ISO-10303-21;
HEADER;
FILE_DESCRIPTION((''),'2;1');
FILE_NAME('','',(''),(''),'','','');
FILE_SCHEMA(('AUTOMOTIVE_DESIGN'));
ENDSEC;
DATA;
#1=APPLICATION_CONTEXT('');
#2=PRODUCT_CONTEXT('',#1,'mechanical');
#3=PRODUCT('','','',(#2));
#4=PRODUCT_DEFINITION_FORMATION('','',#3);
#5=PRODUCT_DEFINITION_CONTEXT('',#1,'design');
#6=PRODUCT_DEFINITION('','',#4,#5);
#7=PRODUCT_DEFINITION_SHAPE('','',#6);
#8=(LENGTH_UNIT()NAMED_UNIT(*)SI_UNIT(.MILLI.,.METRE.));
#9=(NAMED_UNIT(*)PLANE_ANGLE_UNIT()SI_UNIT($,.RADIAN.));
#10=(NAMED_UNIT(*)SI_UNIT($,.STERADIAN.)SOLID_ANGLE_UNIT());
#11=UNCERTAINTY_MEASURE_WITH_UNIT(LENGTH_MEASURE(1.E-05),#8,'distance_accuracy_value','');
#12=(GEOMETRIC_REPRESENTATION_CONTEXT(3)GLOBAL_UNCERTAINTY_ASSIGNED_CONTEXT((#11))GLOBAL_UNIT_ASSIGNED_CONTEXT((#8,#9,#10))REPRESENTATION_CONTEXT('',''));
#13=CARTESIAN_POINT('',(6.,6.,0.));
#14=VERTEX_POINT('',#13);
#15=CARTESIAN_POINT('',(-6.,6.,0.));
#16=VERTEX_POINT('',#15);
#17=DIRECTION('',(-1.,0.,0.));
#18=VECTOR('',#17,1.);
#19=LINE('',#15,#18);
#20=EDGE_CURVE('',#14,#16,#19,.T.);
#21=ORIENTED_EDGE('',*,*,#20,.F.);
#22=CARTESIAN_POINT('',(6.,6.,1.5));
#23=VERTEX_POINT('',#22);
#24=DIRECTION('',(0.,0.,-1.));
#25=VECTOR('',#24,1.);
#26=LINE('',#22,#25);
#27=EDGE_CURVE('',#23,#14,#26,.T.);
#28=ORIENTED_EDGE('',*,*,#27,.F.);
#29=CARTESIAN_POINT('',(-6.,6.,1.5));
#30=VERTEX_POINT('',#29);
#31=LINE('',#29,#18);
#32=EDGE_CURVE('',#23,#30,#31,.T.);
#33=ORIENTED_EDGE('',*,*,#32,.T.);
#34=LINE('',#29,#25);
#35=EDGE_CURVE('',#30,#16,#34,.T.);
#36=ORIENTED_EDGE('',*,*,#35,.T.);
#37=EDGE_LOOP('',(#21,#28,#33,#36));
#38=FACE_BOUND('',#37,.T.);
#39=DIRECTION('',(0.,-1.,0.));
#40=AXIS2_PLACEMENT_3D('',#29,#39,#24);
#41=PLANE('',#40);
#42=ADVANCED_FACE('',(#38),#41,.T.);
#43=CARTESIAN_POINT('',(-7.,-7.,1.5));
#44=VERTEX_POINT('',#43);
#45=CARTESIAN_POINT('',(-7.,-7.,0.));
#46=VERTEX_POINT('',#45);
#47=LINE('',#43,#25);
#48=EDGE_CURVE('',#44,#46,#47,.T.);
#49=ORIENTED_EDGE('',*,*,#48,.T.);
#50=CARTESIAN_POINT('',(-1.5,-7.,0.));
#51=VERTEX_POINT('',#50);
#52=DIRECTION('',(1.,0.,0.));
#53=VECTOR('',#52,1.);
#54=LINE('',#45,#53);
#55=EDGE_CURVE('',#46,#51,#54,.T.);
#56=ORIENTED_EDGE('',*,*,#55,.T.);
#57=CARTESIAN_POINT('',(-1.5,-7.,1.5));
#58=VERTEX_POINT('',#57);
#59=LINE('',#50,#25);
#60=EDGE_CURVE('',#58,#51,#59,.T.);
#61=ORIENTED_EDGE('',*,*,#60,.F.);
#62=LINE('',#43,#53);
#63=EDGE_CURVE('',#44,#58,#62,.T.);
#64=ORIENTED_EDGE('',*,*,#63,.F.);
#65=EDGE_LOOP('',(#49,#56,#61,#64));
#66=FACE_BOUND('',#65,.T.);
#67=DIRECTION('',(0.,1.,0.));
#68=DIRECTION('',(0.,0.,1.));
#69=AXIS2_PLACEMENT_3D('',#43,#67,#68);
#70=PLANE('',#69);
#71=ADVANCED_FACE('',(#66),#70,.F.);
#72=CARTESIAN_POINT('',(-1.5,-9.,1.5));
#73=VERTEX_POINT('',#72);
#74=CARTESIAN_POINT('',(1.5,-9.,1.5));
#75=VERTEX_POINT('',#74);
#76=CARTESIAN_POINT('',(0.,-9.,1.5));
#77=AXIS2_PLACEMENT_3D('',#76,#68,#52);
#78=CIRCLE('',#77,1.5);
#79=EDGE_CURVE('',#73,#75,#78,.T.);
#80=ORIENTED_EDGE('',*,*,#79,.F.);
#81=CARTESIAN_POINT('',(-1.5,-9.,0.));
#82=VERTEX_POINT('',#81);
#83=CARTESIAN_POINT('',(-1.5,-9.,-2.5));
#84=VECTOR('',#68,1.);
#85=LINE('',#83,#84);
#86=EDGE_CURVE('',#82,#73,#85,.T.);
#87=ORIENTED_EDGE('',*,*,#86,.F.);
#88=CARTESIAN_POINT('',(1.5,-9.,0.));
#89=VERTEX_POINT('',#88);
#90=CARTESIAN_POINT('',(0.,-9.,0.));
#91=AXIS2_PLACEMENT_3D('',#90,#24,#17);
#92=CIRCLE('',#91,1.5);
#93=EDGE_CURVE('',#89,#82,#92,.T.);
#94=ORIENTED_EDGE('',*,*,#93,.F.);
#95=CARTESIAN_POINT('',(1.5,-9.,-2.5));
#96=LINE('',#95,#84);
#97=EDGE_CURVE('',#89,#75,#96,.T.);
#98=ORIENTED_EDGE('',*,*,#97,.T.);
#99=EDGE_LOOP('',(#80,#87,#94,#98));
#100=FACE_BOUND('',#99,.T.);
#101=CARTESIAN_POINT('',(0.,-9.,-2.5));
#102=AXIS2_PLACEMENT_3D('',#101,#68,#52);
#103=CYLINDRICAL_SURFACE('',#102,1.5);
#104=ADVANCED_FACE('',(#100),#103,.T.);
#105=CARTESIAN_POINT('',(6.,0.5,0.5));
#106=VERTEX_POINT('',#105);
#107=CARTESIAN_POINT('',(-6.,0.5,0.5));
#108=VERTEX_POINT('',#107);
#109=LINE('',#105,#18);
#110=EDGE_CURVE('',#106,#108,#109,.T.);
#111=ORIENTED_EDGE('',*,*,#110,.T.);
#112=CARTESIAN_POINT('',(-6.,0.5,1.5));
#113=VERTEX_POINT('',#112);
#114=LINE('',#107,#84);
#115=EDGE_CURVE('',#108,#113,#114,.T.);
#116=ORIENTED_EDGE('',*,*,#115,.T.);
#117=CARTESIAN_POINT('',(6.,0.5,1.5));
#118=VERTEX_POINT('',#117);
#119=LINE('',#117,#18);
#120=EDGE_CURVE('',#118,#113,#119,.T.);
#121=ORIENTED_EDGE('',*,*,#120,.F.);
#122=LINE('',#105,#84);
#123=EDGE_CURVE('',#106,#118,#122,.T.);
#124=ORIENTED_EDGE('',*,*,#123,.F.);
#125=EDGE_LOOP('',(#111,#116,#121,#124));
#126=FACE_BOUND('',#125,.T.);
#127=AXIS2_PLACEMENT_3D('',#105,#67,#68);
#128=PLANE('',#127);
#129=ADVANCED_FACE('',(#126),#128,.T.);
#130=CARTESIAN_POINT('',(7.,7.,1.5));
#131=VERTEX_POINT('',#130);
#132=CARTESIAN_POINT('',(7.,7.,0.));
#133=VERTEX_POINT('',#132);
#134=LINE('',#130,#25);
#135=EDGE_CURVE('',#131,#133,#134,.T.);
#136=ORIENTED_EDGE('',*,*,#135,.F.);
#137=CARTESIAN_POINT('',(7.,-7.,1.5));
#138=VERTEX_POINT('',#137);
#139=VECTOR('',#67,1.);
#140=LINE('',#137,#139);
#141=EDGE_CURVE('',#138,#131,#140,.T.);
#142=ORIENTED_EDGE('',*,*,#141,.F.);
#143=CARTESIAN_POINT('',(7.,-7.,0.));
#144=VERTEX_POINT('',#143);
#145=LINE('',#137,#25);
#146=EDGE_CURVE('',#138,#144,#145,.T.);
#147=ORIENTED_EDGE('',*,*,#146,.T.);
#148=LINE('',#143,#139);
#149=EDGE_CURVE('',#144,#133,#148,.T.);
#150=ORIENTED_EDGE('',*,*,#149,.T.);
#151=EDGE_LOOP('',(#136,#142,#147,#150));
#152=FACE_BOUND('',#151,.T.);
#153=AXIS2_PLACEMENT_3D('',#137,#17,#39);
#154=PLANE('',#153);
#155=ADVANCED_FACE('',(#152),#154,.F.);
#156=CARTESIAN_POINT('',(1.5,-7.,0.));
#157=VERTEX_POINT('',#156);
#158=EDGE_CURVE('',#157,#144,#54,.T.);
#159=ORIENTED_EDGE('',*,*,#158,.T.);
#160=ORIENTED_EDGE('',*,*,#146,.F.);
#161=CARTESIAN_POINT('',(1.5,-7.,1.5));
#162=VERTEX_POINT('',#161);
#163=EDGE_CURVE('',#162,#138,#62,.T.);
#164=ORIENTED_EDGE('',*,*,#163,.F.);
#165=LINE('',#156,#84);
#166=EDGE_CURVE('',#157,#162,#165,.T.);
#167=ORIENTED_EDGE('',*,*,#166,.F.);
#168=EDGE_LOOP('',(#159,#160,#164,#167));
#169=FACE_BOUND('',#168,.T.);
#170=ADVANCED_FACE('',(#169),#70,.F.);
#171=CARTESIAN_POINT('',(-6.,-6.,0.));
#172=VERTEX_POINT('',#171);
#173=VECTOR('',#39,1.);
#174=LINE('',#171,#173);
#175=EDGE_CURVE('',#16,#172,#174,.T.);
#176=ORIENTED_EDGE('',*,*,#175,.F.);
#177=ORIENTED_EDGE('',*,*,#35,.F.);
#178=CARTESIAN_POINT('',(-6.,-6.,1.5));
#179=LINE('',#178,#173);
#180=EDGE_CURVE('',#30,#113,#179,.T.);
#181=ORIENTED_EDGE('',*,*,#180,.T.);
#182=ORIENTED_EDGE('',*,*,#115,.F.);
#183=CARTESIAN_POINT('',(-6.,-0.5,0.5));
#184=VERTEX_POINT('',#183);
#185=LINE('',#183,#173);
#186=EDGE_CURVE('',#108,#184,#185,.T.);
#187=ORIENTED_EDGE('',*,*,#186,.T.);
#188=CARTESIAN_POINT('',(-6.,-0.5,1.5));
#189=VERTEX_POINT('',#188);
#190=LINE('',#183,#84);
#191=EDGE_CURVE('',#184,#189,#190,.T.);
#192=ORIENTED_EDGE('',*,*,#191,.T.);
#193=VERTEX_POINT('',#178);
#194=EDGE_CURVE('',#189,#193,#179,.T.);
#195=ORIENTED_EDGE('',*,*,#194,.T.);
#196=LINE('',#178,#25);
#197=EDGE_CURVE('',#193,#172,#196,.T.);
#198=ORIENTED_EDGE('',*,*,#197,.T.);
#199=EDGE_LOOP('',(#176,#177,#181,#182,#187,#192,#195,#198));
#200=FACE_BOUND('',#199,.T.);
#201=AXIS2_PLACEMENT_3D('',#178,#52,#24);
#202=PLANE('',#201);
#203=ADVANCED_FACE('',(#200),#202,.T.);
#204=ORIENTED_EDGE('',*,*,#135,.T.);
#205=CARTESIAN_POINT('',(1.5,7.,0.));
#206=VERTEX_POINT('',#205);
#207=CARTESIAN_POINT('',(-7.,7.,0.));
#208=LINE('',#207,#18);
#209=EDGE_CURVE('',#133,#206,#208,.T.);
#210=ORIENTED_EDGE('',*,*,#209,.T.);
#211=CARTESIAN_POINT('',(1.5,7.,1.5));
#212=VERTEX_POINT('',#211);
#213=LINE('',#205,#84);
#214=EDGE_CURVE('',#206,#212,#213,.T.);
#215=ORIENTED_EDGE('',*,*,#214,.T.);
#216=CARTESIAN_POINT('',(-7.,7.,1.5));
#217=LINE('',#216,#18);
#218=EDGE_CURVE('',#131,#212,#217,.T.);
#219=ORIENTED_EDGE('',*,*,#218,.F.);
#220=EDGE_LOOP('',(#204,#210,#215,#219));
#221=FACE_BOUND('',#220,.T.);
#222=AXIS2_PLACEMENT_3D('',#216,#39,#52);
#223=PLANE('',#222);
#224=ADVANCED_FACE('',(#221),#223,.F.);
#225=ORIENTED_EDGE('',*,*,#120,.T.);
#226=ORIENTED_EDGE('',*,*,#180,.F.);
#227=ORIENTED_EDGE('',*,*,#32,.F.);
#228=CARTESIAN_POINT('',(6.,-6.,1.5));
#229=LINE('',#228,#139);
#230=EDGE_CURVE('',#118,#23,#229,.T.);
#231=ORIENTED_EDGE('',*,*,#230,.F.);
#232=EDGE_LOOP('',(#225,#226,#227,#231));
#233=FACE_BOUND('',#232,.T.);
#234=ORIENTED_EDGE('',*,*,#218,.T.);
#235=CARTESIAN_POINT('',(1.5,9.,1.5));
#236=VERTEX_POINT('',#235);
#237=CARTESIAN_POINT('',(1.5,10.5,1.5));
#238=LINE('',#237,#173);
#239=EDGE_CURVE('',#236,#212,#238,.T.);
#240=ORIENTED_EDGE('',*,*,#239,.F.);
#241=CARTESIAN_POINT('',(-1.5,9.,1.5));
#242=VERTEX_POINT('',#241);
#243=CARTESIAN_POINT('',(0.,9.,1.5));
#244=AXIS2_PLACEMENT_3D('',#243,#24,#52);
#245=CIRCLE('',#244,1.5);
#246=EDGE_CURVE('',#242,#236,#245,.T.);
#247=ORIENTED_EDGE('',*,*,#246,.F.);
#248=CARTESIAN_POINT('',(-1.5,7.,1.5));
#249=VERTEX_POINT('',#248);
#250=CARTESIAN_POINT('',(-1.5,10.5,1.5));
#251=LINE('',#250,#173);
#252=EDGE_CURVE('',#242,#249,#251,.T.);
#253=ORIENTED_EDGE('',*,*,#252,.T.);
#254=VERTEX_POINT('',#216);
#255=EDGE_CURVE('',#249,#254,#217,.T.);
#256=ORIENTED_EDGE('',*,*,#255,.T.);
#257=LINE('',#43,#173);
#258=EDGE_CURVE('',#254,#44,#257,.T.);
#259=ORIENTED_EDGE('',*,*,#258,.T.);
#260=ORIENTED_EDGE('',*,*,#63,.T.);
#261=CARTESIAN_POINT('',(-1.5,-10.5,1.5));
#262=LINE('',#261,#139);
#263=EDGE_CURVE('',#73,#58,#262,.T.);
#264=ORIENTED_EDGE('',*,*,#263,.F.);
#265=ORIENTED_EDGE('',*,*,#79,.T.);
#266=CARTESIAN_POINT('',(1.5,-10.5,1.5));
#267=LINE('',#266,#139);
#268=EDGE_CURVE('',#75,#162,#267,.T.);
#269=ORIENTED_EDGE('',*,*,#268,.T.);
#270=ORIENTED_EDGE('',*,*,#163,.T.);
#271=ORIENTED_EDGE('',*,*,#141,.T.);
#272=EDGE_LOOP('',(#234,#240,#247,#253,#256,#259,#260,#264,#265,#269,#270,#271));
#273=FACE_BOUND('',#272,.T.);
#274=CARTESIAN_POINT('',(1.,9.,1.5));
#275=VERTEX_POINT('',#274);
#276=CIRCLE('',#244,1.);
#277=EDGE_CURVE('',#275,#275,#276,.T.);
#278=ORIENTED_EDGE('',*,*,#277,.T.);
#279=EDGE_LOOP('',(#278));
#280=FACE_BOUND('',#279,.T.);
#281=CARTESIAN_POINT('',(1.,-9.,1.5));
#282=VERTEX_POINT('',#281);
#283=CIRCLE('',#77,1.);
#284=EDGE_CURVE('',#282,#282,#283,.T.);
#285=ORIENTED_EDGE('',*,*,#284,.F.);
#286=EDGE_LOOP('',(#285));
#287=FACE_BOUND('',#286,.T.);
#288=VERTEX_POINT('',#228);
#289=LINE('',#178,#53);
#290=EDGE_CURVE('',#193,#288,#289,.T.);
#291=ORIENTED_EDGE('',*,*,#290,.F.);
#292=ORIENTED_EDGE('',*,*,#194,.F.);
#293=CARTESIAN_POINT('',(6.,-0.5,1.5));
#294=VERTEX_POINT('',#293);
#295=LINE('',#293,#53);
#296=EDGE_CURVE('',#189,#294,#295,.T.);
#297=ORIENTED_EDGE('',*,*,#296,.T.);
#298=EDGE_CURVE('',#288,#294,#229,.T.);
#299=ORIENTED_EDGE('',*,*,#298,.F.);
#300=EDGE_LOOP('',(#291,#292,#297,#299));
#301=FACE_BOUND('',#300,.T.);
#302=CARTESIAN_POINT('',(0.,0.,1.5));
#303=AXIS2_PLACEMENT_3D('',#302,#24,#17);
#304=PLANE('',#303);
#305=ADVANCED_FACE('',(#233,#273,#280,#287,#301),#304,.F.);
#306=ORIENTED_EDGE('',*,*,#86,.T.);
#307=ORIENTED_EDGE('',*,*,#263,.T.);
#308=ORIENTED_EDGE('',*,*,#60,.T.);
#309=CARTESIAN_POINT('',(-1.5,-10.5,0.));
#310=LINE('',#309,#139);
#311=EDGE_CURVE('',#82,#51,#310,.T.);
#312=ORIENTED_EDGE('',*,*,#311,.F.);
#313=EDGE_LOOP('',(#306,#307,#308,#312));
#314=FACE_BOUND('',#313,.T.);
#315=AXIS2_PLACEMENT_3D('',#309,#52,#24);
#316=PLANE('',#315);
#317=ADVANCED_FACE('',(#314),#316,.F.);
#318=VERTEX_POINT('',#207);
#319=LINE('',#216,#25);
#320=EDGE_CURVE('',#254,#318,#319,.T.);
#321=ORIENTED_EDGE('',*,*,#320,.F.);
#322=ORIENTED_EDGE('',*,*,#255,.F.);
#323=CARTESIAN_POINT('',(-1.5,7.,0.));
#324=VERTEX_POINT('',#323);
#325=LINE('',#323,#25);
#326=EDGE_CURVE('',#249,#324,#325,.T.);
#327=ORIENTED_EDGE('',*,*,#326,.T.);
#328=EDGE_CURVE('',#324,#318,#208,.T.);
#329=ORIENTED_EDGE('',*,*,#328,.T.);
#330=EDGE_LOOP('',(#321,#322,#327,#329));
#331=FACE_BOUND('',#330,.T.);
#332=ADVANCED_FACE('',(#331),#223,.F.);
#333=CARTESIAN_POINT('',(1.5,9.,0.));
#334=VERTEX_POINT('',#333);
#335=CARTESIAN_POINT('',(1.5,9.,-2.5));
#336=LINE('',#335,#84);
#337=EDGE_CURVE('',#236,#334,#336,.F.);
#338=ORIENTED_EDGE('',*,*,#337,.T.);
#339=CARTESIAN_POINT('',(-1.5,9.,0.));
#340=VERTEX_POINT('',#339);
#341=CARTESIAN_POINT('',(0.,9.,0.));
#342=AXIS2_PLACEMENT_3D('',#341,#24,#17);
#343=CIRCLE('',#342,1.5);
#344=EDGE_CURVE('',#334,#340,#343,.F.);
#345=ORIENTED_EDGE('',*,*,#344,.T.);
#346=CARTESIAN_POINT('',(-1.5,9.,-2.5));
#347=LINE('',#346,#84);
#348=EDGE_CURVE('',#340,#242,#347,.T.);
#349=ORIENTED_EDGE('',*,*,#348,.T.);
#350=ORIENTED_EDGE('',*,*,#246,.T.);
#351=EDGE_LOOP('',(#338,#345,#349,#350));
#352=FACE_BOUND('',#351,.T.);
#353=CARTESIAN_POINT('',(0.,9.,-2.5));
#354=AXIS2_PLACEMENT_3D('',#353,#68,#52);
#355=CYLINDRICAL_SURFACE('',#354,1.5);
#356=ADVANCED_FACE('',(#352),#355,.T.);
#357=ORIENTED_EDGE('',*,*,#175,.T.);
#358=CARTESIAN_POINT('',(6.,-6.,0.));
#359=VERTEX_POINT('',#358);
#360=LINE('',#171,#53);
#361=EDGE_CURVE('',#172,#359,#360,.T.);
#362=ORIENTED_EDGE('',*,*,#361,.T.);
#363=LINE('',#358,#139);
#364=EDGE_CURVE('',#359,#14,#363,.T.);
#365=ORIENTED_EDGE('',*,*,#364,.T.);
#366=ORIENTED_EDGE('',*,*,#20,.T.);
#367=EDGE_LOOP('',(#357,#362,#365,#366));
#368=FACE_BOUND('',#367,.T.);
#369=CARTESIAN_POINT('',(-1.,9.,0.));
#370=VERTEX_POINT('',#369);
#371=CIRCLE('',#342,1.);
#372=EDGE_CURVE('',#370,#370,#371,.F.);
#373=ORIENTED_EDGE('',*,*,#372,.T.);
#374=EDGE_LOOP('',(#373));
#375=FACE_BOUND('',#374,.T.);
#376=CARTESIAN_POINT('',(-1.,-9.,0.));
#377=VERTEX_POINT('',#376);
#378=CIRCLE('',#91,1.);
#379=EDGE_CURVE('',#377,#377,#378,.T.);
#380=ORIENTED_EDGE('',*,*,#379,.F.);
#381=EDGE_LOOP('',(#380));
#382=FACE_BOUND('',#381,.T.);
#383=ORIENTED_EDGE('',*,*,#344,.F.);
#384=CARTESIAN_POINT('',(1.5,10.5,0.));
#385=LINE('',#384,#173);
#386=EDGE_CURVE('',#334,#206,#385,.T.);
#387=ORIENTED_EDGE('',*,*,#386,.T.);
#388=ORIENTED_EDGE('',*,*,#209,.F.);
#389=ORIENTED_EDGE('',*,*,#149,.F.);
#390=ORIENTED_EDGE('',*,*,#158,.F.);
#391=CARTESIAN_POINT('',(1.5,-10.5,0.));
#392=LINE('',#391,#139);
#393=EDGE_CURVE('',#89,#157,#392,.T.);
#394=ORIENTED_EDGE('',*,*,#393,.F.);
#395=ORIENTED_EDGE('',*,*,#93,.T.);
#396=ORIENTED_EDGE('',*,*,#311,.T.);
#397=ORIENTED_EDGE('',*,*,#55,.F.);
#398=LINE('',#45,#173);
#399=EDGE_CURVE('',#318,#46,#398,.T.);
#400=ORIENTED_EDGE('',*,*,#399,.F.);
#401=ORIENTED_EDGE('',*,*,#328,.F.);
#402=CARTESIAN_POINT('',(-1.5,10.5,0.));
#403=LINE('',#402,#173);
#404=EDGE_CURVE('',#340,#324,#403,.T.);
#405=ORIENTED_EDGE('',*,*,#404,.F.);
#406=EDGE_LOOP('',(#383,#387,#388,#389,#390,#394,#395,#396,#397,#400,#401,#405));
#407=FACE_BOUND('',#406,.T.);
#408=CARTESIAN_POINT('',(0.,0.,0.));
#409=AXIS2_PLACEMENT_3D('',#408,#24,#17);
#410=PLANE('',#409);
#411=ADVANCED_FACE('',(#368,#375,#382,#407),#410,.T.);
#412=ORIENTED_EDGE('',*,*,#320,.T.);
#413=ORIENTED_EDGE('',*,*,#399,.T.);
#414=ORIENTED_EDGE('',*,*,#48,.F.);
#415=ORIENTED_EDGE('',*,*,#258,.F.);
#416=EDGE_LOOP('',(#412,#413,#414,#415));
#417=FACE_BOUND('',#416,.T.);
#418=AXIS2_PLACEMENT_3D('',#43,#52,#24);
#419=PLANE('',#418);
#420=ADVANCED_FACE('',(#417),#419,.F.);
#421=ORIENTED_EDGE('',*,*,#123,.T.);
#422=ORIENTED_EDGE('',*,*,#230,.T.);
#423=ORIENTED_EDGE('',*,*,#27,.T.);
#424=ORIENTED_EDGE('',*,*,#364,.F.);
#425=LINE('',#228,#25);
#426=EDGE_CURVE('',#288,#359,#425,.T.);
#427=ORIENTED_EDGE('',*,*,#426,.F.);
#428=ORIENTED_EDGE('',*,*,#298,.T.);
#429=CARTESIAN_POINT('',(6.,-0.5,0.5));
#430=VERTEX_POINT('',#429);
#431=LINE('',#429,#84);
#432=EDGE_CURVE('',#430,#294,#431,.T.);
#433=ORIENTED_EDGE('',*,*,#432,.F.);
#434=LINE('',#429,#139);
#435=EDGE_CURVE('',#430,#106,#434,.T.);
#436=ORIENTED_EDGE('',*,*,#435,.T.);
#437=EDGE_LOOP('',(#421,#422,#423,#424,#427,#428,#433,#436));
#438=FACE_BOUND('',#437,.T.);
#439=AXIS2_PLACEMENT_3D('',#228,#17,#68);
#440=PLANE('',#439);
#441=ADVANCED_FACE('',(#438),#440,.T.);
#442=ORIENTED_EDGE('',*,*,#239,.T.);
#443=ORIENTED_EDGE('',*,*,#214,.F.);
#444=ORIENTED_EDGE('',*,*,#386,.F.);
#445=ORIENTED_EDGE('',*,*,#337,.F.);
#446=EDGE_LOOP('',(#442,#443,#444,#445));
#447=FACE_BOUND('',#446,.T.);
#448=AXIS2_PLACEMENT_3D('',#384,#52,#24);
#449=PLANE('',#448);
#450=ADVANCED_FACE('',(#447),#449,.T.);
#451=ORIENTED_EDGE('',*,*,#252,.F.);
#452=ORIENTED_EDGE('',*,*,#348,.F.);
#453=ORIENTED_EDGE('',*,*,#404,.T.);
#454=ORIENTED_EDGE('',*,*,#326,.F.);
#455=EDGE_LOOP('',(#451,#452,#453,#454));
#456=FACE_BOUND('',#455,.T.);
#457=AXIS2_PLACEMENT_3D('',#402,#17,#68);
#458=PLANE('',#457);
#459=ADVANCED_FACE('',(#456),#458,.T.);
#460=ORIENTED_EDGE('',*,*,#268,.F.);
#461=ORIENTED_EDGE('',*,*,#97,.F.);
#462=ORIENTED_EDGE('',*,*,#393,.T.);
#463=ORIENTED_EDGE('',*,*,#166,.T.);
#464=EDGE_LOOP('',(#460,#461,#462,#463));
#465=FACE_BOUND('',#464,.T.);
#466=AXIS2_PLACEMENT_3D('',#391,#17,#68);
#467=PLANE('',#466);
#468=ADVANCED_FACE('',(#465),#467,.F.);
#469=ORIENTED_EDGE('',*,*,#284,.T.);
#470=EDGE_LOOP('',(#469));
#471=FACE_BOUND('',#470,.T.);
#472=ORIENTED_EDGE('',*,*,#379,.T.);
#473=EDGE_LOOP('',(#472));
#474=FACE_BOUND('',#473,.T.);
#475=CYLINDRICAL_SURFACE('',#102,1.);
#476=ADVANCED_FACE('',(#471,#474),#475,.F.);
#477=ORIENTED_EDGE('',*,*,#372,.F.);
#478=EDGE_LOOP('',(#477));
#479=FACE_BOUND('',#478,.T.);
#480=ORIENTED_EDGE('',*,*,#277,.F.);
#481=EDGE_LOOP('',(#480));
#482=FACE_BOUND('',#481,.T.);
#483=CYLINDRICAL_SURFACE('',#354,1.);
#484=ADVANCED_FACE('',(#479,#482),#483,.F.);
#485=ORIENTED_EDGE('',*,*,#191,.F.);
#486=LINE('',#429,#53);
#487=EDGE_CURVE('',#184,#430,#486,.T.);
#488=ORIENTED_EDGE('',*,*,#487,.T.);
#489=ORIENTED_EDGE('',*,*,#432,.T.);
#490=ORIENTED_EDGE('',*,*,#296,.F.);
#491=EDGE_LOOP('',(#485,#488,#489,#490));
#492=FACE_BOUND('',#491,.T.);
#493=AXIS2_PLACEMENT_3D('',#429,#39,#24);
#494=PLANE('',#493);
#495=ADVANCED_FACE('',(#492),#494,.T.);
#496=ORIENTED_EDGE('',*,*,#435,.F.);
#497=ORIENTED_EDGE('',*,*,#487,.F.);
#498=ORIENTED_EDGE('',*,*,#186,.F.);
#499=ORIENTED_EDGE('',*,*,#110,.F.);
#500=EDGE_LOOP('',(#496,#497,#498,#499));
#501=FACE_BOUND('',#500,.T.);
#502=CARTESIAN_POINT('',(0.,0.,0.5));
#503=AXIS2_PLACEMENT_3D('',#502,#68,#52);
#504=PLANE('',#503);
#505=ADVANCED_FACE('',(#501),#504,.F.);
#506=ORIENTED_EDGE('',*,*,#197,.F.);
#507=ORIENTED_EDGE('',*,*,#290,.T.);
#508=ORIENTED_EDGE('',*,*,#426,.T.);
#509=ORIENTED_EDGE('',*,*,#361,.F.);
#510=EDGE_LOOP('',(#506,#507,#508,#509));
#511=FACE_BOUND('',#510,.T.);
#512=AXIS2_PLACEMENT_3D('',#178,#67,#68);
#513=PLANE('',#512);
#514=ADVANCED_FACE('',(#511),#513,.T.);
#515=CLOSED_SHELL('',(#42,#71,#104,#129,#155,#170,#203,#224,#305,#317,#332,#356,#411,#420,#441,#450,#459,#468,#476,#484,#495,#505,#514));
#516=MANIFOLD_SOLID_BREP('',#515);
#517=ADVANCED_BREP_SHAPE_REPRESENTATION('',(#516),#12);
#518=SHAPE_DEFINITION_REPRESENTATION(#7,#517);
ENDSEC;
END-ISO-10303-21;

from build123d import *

# Parameters (mm, degrees)
SKETCH_6_W          = 14
SKETCH_6_H          = 14
SKETCH_6_W_2        = 12
SKETCH_6_H_2        = 12
EXTRUDE_3_DEPTH     = 1.5
SKETCH_7_W          = 3
SKETCH_7_H          = 1.5
EXTRUDE_4_DEPTH     = 3.5
CUT_EXTRUDE_3_DEPTH = 4
SKETCH_11_R         = 1
CUT_EXTRUDE_5_DEPTH = 4
SKETCH_12_W         = 12
SKETCH_12_H         = 1
EXTRUDE_5_DEPTH     = 1


with BuildPart() as part:
    # 草图6 → 凸台-拉伸3 (new body)
    with BuildSketch(Plane.XY):
        Rectangle(SKETCH_6_W, SKETCH_6_H)
        Rectangle(SKETCH_6_W_2, SKETCH_6_H_2, mode=Mode.SUBTRACT)
    extrude(amount=EXTRUDE_3_DEPTH)

    # 草图7 → 凸台-拉伸4 (add)
    with BuildSketch(Plane.XZ.offset(7)):
        with Locations((0, 0.75)):
            Rectangle(SKETCH_7_W, SKETCH_7_H)
    extrude_4 = extrude(amount=EXTRUDE_4_DEPTH)

    # 草图8 → 切除-拉伸3 (cut)
    with BuildSketch(Plane.XY.offset(1.5)):
        with BuildLine():
            ThreePointArc((0, -10.5), (-1.060660172, -10.060660172), (-1.5, -9))
            Line((-1.5, -9), (-1.5, -10.5))
            Line((-1.5, -10.5), (0, -10.5))
        make_face()
        with BuildLine():
            Line((1.5, -10.5), (1.5, -9))
            ThreePointArc((1.5, -9), (1.060660172, -10.060660172), (0, -10.5))
            Line((0, -10.5), (1.5, -10.5))
        make_face()
    cut_extrude_3 = extrude(amount=-CUT_EXTRUDE_3_DEPTH, mode=Mode.SUBTRACT)

    # 草图11 → 切除-拉伸5 (cut)
    with BuildSketch(Plane.XY.offset(1.5)):
        with Locations((0, -9)):
            Circle(SKETCH_11_R)
    cut_extrude_5 = extrude(amount=-CUT_EXTRUDE_5_DEPTH, mode=Mode.SUBTRACT)

    # 镜向1: 凸台-拉伸4, 切除-拉伸3, 切除-拉伸5 across plane
    add(extrude_4.mirror(Plane.ZX))
    add(cut_extrude_3.mirror(Plane.ZX), mode=Mode.SUBTRACT)
    add(cut_extrude_5.mirror(Plane.ZX), mode=Mode.SUBTRACT)

    # 草图12 → 凸台-拉伸5 (add)
    with BuildSketch(Plane.XY.offset(1.5)):
        Rectangle(SKETCH_12_W, SKETCH_12_H)
    extrude(amount=-EXTRUDE_5_DEPTH)


solid = part.part
